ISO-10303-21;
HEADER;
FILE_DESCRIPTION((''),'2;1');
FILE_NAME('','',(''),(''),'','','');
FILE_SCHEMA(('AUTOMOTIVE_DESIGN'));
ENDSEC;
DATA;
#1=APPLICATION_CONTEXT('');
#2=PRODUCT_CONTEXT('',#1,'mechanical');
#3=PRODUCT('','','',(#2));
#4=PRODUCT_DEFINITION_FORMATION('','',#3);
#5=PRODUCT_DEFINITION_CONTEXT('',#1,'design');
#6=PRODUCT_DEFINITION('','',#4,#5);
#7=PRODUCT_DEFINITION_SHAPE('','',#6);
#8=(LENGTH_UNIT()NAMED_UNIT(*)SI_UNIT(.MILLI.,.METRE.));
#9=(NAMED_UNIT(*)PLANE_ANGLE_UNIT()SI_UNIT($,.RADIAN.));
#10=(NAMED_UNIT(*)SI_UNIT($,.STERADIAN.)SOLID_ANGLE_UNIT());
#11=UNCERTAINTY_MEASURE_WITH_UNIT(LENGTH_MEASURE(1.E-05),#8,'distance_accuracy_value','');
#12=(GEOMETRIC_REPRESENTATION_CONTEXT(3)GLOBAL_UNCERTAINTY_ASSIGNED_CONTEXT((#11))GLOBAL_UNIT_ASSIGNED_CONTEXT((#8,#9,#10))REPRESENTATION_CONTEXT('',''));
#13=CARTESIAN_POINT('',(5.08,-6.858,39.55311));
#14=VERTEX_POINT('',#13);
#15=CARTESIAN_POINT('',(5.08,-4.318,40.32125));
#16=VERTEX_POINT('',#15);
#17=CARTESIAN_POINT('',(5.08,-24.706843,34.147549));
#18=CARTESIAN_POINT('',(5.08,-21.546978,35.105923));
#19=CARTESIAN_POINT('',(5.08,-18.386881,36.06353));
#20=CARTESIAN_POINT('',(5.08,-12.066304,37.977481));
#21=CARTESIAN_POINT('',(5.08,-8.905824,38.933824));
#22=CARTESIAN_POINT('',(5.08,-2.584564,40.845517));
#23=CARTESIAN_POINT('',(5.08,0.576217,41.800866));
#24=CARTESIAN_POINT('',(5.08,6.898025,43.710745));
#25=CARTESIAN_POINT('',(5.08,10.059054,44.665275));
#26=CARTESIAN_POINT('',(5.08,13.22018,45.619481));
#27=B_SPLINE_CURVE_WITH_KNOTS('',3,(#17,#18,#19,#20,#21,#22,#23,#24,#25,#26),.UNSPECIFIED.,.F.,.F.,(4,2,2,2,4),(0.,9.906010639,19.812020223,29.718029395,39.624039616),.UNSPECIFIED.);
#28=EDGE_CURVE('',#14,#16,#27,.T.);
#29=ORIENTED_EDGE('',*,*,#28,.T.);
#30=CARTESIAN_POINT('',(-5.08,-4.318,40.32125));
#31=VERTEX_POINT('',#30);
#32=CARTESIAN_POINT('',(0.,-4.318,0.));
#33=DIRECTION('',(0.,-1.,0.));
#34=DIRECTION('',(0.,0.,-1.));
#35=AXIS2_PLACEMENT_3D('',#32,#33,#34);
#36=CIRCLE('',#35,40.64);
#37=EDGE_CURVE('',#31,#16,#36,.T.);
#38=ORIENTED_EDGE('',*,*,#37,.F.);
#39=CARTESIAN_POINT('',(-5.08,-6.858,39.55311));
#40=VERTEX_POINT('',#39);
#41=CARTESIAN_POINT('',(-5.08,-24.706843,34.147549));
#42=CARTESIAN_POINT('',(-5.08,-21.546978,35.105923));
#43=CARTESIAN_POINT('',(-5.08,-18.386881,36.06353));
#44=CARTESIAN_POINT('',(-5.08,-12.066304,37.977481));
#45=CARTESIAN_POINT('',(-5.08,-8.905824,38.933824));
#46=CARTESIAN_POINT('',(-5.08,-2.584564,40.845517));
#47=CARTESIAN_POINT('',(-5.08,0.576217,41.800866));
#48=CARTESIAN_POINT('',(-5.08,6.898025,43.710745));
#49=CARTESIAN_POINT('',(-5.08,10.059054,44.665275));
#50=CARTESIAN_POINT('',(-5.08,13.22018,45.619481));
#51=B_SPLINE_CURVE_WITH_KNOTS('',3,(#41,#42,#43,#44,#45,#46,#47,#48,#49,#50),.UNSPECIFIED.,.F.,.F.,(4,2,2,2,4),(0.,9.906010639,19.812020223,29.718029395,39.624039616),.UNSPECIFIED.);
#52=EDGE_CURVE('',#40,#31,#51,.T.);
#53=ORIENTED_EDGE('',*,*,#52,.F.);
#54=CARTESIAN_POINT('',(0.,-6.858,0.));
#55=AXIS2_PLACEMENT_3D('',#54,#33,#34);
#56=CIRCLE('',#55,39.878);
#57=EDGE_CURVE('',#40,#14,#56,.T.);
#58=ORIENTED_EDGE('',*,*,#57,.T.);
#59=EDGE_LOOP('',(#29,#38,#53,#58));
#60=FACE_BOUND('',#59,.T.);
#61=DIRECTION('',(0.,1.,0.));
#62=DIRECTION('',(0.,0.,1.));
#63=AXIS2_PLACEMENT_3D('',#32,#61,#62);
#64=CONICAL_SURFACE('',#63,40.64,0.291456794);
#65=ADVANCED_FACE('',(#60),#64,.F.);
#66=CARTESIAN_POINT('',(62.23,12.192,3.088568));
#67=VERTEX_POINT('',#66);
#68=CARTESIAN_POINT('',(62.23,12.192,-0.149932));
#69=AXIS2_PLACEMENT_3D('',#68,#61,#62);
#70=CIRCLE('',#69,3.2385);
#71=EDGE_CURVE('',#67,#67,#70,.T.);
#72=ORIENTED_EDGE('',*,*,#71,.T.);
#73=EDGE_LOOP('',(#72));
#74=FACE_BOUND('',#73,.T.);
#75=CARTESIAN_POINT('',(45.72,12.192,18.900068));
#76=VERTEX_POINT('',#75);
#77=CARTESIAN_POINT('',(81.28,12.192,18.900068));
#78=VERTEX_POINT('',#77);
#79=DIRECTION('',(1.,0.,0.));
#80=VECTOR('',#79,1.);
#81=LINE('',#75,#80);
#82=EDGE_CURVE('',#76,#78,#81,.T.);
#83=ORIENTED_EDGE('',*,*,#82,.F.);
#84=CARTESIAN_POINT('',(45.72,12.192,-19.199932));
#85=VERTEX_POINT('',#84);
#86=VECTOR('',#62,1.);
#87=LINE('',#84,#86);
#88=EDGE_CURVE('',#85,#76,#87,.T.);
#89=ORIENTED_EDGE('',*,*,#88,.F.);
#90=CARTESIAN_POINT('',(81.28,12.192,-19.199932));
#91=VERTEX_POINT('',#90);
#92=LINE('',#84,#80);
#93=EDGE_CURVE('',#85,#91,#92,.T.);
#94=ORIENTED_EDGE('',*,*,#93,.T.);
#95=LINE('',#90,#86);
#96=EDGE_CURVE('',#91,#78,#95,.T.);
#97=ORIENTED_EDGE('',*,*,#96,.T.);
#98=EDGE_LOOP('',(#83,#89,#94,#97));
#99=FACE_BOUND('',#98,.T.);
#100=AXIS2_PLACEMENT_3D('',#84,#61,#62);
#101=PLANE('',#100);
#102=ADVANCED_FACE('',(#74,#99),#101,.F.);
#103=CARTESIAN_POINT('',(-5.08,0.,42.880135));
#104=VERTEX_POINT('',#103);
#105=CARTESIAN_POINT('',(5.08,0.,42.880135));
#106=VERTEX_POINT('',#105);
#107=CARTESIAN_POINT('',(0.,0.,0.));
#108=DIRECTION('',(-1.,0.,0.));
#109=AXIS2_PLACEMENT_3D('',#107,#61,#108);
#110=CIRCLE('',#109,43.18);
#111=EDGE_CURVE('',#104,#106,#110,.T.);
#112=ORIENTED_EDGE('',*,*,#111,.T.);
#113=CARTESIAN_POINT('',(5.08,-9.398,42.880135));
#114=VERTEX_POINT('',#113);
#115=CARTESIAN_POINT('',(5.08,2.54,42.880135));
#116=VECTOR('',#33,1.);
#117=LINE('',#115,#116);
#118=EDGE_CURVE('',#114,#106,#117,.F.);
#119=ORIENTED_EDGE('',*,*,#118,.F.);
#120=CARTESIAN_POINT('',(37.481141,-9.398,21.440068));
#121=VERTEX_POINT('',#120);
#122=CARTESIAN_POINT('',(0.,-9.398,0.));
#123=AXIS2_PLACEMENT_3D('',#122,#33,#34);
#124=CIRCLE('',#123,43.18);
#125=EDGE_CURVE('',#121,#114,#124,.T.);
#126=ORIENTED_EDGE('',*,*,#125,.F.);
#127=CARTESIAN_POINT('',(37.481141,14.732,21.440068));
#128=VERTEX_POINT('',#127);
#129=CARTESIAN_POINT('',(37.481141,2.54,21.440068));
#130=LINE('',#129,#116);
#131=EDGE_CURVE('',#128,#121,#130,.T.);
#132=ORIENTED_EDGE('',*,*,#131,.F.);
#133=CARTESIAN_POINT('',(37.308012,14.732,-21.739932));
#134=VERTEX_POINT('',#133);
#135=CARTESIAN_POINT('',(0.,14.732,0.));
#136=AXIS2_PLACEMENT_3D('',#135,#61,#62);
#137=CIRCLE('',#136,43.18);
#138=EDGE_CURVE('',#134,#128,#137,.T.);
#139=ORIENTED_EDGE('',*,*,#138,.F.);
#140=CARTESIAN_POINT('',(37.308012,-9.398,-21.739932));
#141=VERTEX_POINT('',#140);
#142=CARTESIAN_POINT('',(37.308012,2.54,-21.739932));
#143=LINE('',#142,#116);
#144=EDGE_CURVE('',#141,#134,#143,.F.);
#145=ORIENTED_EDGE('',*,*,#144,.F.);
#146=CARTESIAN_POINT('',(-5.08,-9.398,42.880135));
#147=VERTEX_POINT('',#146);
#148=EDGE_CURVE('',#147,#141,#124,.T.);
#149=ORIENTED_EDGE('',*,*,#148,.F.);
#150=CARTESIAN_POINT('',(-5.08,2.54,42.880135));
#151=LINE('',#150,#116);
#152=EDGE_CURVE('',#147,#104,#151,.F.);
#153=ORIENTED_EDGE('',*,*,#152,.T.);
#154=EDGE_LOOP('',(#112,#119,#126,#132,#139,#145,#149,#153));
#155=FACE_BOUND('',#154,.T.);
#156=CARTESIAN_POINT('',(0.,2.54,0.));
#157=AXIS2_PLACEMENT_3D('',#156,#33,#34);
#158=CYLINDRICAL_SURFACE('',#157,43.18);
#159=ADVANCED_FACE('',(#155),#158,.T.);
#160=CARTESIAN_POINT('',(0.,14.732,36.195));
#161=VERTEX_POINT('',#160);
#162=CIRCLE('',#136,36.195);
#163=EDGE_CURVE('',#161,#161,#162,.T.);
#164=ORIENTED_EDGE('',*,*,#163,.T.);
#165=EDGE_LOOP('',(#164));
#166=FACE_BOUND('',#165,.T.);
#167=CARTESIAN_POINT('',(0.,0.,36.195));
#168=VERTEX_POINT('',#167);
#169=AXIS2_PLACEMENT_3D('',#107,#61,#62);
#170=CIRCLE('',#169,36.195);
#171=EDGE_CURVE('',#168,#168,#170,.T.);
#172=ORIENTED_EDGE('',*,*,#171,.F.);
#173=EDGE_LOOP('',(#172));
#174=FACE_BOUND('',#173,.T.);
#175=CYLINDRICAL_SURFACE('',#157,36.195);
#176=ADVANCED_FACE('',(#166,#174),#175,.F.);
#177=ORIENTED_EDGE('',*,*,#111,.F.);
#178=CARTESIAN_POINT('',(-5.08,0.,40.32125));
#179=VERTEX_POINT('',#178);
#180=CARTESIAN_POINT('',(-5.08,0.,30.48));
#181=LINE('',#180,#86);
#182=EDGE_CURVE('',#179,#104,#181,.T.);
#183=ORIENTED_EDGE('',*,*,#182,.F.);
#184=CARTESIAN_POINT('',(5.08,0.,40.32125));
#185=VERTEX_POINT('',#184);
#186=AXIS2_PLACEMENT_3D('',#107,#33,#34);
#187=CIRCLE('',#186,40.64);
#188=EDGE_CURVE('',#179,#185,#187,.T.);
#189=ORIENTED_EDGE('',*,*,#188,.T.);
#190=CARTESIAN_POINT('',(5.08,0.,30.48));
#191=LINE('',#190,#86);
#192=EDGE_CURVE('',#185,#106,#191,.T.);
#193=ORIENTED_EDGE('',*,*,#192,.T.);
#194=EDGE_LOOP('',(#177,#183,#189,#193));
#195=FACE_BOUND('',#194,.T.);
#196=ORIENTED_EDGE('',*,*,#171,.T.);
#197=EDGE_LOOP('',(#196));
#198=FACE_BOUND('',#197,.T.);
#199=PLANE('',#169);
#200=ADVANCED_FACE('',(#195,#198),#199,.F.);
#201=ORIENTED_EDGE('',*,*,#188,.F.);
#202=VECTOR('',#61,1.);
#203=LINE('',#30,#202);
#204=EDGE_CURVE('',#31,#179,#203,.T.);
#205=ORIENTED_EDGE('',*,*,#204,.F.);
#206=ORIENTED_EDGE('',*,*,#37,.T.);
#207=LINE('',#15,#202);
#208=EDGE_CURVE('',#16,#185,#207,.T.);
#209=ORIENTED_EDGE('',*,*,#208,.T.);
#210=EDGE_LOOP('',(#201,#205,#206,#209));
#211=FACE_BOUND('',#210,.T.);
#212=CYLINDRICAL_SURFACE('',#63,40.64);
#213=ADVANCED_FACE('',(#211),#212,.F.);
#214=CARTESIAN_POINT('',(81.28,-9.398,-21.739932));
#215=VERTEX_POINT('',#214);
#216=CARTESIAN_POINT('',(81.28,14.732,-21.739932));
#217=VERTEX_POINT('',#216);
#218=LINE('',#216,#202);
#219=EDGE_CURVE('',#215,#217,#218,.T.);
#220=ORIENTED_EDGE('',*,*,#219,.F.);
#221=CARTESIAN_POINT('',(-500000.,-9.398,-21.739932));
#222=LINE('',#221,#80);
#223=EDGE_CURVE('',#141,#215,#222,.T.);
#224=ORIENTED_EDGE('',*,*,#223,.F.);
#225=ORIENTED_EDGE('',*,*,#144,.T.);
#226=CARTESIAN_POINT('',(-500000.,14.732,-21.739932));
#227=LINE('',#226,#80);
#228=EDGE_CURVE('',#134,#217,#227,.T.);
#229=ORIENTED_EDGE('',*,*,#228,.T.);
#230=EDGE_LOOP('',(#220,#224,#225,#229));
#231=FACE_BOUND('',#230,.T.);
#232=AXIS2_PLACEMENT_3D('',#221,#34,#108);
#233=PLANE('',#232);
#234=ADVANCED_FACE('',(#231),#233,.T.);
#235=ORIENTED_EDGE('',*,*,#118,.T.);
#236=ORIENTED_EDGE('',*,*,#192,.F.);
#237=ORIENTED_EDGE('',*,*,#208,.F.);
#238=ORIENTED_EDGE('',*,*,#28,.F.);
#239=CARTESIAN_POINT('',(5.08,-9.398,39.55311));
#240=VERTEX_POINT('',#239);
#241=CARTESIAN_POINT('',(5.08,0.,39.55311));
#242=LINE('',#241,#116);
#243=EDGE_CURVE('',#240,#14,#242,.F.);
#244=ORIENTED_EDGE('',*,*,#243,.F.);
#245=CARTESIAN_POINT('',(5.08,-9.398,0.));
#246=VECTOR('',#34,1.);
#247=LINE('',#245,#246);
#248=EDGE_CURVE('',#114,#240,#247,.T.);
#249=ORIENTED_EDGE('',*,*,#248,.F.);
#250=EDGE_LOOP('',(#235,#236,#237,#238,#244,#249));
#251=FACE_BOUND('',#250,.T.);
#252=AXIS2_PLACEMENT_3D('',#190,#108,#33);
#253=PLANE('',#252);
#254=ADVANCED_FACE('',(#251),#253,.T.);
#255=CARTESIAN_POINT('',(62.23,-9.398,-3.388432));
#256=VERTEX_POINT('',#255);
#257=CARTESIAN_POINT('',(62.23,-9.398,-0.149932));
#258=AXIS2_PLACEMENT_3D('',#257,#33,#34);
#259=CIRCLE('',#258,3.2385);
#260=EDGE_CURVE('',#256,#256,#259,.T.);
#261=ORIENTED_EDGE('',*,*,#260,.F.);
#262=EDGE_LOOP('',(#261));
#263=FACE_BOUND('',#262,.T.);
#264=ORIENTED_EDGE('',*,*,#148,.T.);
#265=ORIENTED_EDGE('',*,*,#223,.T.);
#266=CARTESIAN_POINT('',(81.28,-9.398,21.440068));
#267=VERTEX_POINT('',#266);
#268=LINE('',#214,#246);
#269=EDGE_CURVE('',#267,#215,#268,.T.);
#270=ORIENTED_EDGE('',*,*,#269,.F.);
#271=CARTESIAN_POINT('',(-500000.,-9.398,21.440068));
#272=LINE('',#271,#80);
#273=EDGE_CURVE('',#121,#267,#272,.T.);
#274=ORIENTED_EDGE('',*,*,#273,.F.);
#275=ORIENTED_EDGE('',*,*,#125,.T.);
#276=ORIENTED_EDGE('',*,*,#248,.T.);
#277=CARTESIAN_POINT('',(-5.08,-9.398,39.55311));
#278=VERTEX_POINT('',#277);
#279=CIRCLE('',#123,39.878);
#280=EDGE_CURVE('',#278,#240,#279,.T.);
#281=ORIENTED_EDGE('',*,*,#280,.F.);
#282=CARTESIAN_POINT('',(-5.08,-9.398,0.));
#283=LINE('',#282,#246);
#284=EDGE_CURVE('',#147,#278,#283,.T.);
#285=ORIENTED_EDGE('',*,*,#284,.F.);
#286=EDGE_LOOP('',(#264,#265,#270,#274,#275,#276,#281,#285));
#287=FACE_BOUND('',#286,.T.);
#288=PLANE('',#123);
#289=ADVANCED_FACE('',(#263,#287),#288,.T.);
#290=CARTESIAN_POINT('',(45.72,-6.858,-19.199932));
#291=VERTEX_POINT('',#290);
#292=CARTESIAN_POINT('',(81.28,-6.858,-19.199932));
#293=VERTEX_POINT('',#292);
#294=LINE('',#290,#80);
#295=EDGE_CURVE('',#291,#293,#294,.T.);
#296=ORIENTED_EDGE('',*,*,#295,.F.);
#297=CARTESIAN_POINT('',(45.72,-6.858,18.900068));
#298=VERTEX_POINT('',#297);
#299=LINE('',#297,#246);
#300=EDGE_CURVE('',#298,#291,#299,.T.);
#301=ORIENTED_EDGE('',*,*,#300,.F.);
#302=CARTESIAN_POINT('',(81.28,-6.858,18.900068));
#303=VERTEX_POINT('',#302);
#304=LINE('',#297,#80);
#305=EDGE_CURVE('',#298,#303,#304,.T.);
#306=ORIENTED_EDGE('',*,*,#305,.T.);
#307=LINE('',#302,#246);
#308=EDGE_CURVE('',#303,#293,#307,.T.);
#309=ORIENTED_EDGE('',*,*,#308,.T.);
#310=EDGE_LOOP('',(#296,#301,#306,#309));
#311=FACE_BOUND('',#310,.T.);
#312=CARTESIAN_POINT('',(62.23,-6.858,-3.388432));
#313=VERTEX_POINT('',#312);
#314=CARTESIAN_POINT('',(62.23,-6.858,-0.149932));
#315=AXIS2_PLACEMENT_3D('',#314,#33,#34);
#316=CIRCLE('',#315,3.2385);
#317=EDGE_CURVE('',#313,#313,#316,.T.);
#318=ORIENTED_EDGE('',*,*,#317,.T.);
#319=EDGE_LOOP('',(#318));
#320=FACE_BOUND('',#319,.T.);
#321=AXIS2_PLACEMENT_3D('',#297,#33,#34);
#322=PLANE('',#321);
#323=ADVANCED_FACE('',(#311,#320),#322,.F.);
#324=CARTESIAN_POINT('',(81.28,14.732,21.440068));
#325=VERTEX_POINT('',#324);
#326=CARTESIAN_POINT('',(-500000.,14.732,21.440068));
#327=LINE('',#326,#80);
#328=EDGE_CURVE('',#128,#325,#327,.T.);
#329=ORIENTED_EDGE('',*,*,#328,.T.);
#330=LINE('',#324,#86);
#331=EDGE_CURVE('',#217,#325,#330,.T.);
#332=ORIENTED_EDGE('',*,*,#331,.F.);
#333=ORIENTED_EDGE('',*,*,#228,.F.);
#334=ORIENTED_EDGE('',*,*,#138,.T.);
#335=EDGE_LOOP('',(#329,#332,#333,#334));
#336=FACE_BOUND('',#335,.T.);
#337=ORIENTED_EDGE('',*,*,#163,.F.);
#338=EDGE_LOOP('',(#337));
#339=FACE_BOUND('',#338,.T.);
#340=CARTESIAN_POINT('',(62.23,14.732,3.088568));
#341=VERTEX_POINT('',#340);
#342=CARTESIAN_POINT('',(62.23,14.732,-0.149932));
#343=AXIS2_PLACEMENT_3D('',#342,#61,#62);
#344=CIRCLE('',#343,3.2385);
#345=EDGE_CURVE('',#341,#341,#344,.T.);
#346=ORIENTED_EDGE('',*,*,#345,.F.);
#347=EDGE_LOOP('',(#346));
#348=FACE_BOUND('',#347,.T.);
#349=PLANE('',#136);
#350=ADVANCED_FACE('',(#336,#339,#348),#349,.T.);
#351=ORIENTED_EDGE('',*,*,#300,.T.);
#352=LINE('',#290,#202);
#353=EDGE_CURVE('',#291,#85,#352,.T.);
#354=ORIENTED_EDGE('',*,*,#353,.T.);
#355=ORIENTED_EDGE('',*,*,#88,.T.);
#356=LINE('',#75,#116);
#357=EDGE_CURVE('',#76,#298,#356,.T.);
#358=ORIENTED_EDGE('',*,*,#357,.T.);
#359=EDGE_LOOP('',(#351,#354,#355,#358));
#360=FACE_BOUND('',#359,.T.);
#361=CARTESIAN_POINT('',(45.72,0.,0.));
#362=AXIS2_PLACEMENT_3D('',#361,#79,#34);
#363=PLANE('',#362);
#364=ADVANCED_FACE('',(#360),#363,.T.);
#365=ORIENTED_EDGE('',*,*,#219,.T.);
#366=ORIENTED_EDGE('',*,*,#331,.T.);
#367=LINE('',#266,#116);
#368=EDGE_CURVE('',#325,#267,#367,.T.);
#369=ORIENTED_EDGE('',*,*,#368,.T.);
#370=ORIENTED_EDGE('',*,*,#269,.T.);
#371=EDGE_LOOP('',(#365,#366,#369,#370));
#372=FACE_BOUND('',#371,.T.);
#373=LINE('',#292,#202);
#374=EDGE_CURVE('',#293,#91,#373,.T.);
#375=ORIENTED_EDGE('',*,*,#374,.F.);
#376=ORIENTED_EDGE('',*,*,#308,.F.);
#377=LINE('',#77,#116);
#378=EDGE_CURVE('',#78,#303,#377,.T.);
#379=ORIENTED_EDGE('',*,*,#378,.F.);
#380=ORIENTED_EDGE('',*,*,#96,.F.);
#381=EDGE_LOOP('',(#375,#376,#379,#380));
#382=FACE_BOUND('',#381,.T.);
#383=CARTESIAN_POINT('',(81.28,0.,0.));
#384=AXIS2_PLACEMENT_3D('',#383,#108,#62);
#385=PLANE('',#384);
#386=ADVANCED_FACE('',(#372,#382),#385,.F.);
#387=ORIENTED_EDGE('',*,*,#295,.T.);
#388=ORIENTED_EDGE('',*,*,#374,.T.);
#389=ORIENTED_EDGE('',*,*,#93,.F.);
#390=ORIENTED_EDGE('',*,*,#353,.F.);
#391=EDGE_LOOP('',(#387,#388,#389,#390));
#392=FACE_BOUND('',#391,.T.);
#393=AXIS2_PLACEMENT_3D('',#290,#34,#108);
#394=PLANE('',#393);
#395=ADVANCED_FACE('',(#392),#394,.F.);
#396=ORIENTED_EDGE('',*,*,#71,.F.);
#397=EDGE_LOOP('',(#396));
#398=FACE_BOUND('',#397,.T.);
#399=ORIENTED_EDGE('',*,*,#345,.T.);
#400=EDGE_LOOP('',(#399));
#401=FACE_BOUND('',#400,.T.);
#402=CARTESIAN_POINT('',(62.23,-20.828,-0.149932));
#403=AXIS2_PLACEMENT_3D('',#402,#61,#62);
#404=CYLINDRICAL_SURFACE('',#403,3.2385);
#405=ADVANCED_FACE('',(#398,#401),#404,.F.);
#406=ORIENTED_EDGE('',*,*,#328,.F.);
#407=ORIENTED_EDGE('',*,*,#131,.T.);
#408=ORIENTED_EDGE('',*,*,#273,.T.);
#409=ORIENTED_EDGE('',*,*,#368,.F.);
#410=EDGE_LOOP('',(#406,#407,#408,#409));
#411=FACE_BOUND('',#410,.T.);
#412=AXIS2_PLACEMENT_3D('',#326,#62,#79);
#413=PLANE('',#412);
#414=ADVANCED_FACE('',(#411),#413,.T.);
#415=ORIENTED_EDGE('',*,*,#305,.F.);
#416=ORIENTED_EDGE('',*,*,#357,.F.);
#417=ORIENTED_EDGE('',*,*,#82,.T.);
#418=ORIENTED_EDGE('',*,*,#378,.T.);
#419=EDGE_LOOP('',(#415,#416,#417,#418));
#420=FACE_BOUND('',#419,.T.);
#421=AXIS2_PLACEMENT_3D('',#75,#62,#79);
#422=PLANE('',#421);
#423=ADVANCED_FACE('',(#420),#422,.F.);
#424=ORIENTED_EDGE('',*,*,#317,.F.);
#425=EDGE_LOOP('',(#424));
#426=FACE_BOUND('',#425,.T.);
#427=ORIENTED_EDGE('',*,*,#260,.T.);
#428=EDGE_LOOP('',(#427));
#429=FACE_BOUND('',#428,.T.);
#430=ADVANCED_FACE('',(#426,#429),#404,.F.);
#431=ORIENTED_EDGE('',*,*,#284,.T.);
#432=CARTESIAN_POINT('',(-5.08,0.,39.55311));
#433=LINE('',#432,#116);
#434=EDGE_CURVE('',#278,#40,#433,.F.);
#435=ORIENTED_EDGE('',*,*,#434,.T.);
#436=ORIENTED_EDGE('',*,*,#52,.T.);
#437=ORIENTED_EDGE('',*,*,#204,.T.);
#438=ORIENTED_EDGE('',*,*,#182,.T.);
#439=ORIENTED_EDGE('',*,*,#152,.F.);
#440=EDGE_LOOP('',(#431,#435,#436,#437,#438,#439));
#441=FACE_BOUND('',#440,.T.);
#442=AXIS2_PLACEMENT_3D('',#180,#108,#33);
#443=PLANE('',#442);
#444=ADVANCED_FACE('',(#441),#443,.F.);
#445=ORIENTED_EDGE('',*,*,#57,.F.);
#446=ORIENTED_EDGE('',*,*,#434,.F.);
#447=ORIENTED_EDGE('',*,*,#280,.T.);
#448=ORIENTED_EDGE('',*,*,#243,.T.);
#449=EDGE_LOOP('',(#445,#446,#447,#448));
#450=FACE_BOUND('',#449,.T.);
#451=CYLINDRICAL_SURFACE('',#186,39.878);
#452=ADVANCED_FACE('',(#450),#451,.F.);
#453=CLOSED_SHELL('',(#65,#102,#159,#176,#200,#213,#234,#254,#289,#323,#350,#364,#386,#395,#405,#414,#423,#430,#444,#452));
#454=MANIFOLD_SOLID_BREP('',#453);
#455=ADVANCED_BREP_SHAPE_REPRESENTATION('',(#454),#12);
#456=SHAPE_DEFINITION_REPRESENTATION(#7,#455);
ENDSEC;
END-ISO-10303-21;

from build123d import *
from build123d.topology import SkipClean

# Parameters (mm, degrees)
SKETCH1_R                = 43.18
SKETCH1_R_2              = 38.1
SKETCH1_R_3              = 36.195
BOSS_EXTRUDE1_DEPTH      = 2.54
BOSS_EXTRUDE2_START      = 4.318
SKETCH2_R                = 43.18
SKETCH2_R_2              = 40.64
BOSS_EXTRUDE2_DEPTH      = 4.318
SKETCH7_W                = 5.08
SKETCH7_H                = 10.16
CUT_EXTRUDE1_DEPTH       = 12.7
SKETCH12_R               = 43.18
SKETCH12_R_2             = 36.195
BOSS_EXTRUDE3_DEPTH      = 12.192
BOSS_EXTRUDE4_REACH      = 99.671
BOSS_EXTRUDE4_END_RADIUS = 43.18
SKETCH13_W               = 43.18
SKETCH13_H               = 24.13
BOSS_EXTRUDE5_DEPTH      = 38.1
SKETCH14_W               = 38.1
SKETCH14_H               = 19.05
CUT_EXTRUDE2_DEPTH       = 35.56
SKETCH17_R               = 3.2385
CUT_EXTRUDE3_DEPTH       = 35.56


with BuildPart() as part:
    # Sketch1 → Boss-Extrude1 (new body)
    # profile 1 of 2: a face of its own
    with BuildSketch(Plane(origin=(0, 0, 0), x_dir=(1, 0, 0), z_dir=(0, 1, 0))):
        with Locations(Location((0, 0, 0), (0, 0, 270))):
            Circle(SKETCH1_R)
        Circle(SKETCH1_R_2, mode=Mode.SUBTRACT)
    # profile 2 of 2: a face of its own
    with BuildSketch(Plane(origin=(0, 0, 0), x_dir=(1, 0, 0), z_dir=(0, 1, 0))):
        Circle(SKETCH1_R_2)
        with Locations(Location((0, 0, 0), (0, 0, 270))):
            Circle(SKETCH1_R_3, mode=Mode.SUBTRACT)
    extrude(amount=BOSS_EXTRUDE1_DEPTH)

    # Sketch2 → Boss-Extrude2 (add)
    with BuildSketch(Plane.XZ.offset(BOSS_EXTRUDE2_START)):
        with Locations(Location((0, 0, 0), (0, 0, 270))):
            Circle(SKETCH2_R)
        with Locations(Location((0, 0, 0), (0, 0, 270))):
            Circle(SKETCH2_R_2, mode=Mode.SUBTRACT)
    extrude(amount=-BOSS_EXTRUDE2_DEPTH)

    # Sketch3 → Revolve1 (revolve)
    with BuildSketch(Plane.XY, mode=Mode.PRIVATE) as revolve1_sk:
        Polygon((-40.64, -4.318), (-43.18, -4.318), (-43.18, -9.398), (-39.878, -9.398), (-39.878, -6.858), align=None)
    revolve(revolve1_sk.sketch.rotate(Axis((0, 0, 0), (0, 1, 0)), 270), axis=Axis((0, 0, 0), (0, 1, 0)))

    # Sketch7 → Cut-Extrude1 (cut)
    with SkipClean():  # the faces are left unmerged after this step: merging them gives an invalid solid
        with BuildSketch(Plane.XY.offset(43.18)):
            with Locations((-2.54, -5.08)):
                Rectangle(SKETCH7_W, SKETCH7_H)
            with Locations((2.54, -5.08)):
                Rectangle(SKETCH7_W, SKETCH7_H)
        extrude(amount=-CUT_EXTRUDE1_DEPTH, mode=Mode.SUBTRACT)

    # Sketch12 → Boss-Extrude3 (add)
    with SkipClean():  # the faces are left unmerged after this step: merging them gives an invalid solid
        with BuildSketch(Plane(origin=(0, 2.54, 0), x_dir=(1, 0, 0), z_dir=(0, 1, 0))):
            with Locations(Location((0, 0, 0), (0, 0, 263.243672969))):
                Circle(SKETCH12_R)
            with Locations(Location((0, 0, 0), (0, 0, 270))):
                Circle(SKETCH12_R_2, mode=Mode.SUBTRACT)
        extrude(amount=BOSS_EXTRUDE3_DEPTH)

    # Boss-Extrude4: up to this cylinder (the profile starts outside it)
    with SkipClean():  # the faces are left unmerged after this step: merging them gives an invalid solid
        boss_extrude4_end = Plane(origin=(0, 2.667, 0), z_dir=(0, -1, 0)) * Cylinder(BOSS_EXTRUDE4_END_RADIUS, 286.702, mode=Mode.PRIVATE)
        # Sketch8 → Boss-Extrude4 (add, up to the surface)
        with BuildSketch(Plane(origin=(43.18, 0, 0), x_dir=(0, 0, -1), z_dir=(1, 0, 0)), mode=Mode.PRIVATE) as boss_extrude4_sk1:
            Polygon((0.14993237, -9.398), (21.73993237, -9.398), (21.73993237, 14.732), (-21.44006763, 14.732), (-21.44006763, -9.398), align=None)
        boss_extrude4_tool1 = extrude(boss_extrude4_sk1.sketch, amount=-BOSS_EXTRUDE4_REACH, mode=Mode.PRIVATE) - boss_extrude4_end
        add(boss_extrude4_tool1.solids().sort_by_distance((43.18, 2.667, -0.149932))[0])
        add(boss_extrude4_tool1.solids().sort_by_distance((43.18, 2.667, -0.149932))[1])

    # Sketch13 → Boss-Extrude5 (add)
    with SkipClean():  # the faces are left unmerged after this step: merging them gives an invalid solid
        with BuildSketch(Plane(origin=(43.18, 0, 0), x_dir=(0, 0, -1), z_dir=(1, 0, 0))):
            with Locations((0.14993237, 2.667)):
                Rectangle(SKETCH13_W, SKETCH13_H)
        extrude(amount=BOSS_EXTRUDE5_DEPTH)

    # Sketch14 → Cut-Extrude2 (cut)
    with SkipClean():  # the faces are left unmerged after this step: merging them gives an invalid solid
        with BuildSketch(Plane(origin=(81.28, 0, 0), x_dir=(0, 0, -1), z_dir=(1, 0, 0))):
            with Locations((0.14993237, 2.667)):
                Rectangle(SKETCH14_W, SKETCH14_H)
        extrude(amount=-CUT_EXTRUDE2_DEPTH, mode=Mode.SUBTRACT)

    # Sketch17 → Cut-Extrude3 (cut)
    with SkipClean():  # the faces are left unmerged after this step: merging them gives an invalid solid
        with BuildSketch(Plane(origin=(0, 14.732, 0), x_dir=(1, 0, 0), z_dir=(0, 1, 0))):
            with Locations(Location((62.23, 0.14993237, 0), (0, 0, 90))):
                Circle(SKETCH17_R)
        extrude(amount=-CUT_EXTRUDE3_DEPTH, mode=Mode.SUBTRACT)


solid = part.part
